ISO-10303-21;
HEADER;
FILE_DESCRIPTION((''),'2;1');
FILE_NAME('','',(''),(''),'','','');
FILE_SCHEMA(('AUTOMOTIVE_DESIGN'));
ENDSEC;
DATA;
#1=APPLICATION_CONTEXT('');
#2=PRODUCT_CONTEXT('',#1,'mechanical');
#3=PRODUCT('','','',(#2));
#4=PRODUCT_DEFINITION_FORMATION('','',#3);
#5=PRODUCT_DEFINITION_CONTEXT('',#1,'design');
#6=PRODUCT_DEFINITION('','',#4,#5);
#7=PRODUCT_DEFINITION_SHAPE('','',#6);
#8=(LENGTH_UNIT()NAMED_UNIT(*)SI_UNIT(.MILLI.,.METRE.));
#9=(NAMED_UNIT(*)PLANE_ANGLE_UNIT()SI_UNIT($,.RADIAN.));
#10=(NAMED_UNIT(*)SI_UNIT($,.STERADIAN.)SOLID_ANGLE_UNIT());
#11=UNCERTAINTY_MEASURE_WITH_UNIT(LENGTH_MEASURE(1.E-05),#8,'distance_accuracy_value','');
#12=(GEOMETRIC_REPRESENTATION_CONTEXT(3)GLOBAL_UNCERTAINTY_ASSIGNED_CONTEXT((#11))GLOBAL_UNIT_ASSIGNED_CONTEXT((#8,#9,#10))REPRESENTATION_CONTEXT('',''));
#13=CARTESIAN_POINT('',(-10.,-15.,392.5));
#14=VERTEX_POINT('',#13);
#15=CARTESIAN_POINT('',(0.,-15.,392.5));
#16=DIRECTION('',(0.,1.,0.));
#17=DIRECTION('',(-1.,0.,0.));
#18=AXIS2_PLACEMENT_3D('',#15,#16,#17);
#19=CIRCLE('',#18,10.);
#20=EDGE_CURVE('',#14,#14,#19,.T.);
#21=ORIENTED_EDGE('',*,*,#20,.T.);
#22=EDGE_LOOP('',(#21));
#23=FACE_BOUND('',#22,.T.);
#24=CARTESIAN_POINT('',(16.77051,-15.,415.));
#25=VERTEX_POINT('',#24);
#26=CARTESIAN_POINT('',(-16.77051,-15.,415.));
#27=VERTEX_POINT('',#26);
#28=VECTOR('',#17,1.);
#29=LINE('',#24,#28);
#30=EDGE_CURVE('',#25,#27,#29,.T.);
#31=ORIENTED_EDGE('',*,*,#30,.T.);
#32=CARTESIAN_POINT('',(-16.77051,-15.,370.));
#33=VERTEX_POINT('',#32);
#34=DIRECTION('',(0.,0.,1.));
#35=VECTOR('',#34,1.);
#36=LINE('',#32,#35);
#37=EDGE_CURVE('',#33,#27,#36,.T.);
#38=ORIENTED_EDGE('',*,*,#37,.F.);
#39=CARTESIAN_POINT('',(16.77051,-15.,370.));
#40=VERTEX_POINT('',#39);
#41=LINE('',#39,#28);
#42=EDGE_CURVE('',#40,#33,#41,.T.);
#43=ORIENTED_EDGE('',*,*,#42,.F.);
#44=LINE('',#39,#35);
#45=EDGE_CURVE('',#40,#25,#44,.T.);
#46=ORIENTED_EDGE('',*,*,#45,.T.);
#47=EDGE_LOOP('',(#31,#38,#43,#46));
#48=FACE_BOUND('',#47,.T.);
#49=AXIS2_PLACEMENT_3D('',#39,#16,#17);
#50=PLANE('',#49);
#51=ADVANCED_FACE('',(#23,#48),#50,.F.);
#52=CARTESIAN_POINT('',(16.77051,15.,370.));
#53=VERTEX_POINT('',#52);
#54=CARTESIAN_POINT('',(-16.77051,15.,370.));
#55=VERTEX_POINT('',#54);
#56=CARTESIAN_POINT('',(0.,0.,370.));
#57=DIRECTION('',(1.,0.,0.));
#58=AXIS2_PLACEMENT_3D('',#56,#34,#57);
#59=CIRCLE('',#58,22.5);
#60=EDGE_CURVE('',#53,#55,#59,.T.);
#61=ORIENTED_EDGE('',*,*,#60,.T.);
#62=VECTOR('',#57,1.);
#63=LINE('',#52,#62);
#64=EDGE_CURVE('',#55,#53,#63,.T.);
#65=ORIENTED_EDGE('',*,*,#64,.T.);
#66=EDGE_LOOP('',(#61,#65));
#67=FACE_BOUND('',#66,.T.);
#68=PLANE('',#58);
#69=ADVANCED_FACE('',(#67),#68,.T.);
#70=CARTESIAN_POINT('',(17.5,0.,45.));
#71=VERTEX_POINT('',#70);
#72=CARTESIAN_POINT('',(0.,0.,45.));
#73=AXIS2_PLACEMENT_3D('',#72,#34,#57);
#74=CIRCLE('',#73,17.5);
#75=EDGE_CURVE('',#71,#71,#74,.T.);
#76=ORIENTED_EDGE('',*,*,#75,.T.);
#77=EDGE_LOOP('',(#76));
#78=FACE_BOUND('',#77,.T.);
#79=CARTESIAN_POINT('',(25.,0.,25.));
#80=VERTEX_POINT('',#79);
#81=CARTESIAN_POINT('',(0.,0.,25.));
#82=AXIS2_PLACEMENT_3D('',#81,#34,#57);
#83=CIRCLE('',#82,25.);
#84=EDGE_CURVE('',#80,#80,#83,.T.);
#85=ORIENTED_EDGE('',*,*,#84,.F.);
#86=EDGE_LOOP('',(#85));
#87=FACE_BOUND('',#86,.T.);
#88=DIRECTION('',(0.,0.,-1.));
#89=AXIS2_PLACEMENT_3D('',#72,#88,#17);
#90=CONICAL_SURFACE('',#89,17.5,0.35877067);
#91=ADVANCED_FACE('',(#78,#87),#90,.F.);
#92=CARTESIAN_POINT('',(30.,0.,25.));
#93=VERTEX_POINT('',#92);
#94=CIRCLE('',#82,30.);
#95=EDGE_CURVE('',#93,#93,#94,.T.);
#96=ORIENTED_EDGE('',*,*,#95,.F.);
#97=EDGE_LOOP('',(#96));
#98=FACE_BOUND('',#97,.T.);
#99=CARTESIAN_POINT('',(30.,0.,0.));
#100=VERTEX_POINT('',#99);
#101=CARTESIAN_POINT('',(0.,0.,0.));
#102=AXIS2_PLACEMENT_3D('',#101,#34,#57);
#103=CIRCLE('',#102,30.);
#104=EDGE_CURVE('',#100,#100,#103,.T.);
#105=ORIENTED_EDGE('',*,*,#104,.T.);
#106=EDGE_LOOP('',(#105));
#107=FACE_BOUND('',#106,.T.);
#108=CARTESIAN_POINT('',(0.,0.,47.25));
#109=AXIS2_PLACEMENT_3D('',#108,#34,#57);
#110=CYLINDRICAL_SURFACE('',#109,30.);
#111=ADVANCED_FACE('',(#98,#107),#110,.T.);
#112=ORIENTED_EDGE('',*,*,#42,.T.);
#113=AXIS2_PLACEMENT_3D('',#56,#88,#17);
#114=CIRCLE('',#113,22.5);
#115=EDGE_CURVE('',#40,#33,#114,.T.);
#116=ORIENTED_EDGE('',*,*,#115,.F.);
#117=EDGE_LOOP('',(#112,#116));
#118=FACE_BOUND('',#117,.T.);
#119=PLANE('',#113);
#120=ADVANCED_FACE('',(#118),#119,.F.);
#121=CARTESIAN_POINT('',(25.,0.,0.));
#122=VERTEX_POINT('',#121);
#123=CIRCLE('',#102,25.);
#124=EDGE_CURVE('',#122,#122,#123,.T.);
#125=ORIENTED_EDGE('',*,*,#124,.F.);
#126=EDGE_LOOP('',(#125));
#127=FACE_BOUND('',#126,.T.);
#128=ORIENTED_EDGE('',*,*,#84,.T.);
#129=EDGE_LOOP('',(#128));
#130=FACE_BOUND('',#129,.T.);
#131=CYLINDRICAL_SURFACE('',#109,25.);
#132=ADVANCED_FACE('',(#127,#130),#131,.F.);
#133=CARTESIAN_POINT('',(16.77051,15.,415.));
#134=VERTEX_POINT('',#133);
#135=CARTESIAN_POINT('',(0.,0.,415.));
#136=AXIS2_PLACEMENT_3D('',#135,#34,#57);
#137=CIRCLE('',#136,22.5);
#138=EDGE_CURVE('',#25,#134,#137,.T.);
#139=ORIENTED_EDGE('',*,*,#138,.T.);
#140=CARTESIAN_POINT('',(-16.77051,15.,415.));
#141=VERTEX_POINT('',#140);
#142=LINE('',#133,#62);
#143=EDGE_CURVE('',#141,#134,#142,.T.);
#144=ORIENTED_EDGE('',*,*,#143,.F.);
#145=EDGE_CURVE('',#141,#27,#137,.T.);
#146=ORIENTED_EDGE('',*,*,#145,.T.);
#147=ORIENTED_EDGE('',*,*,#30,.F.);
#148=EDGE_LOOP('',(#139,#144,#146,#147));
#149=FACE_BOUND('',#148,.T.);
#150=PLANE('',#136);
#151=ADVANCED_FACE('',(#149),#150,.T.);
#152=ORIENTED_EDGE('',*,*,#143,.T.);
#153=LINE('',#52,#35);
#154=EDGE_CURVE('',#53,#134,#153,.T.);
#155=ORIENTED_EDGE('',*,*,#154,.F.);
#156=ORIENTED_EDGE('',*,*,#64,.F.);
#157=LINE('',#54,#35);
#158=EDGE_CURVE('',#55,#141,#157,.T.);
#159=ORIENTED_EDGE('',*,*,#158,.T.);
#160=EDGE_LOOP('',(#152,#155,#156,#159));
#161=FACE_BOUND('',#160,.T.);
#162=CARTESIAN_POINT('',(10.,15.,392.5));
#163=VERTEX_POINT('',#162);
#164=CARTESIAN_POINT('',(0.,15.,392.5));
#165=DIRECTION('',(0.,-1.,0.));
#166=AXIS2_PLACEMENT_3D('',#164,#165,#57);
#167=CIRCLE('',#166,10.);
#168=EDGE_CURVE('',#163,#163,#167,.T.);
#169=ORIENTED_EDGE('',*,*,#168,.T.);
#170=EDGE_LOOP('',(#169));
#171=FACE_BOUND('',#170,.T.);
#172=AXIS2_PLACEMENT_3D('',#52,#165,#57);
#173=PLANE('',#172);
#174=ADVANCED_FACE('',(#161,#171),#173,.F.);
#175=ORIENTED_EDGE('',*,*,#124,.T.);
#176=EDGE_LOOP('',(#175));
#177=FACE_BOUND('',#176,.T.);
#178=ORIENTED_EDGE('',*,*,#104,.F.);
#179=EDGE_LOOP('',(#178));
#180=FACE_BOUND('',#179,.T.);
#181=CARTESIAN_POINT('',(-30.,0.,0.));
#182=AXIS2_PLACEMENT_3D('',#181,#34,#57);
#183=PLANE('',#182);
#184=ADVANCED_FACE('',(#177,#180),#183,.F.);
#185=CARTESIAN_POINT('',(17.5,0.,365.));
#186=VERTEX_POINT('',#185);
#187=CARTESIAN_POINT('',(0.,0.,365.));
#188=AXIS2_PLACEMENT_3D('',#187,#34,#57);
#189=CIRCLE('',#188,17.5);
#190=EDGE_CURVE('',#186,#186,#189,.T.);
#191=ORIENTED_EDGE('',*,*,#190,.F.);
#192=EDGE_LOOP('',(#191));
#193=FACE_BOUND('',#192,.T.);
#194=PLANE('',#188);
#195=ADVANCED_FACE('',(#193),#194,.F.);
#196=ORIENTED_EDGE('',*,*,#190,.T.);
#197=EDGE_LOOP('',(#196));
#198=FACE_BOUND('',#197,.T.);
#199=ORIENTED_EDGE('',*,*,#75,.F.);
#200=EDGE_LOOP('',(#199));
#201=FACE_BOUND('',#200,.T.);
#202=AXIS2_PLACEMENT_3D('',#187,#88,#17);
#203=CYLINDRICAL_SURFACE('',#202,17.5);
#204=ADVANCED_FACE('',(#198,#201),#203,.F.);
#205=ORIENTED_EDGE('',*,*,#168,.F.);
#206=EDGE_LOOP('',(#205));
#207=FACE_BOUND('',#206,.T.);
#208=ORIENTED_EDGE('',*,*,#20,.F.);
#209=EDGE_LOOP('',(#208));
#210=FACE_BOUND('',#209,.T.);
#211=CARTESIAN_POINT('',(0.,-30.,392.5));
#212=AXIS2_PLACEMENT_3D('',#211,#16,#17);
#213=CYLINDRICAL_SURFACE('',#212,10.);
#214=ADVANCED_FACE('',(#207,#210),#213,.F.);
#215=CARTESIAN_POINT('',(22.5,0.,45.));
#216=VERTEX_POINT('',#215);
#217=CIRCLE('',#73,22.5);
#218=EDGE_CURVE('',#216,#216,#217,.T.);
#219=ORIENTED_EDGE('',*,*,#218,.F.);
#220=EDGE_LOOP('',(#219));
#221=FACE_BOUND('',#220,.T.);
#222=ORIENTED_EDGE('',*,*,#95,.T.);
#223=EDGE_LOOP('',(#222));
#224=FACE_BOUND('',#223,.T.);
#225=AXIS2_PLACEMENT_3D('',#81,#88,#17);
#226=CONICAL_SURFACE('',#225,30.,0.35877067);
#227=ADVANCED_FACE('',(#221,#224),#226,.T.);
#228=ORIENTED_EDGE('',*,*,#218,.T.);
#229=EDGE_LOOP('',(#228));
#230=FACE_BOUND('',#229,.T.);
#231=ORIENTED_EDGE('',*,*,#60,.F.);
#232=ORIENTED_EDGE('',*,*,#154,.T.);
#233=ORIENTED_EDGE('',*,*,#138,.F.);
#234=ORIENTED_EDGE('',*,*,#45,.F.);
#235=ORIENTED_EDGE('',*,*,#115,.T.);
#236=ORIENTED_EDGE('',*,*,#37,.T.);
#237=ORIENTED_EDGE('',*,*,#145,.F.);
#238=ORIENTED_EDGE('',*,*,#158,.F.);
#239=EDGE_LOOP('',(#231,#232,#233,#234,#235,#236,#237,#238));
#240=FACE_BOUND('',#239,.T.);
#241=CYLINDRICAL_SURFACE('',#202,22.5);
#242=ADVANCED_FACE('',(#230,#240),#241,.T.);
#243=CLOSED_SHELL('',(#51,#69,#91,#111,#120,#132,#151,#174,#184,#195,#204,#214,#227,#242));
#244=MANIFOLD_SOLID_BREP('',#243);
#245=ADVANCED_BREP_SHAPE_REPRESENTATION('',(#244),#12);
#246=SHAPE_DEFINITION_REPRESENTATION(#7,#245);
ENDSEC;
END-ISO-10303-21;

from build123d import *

# Parameters (mm, degrees)
SKETCH3_R               = 22.5
SKETCH3_R_2             = 17.5
BOSS_EXTRUDE1_DEPTH     = 320
SKETCH4_R               = 22.5
BOSS_EXTRUDE2_DEPTH     = 50
SKETCH5_W               = 33.541019662
SKETCH5_H               = 20
CUT_EXTRUDE1_DEPTH      = 45
SKETCH6_R               = 10
CUT_EXTRUDE3_DEPTH      = 16
CUT_EXTRUDE3_DEPTH_BACK = 46


with BuildPart() as part:
    # Sketch2 → Revolve1 (revolve)
    with BuildSketch(Plane(origin=(0, 0, 0), x_dir=(1, 0, 0), z_dir=(0, 1, 0))):
        Polygon((-30, 0), (-30, -25), (-22.5, -45), (-17.5, -45), (-25, -25), (-25, 0), align=None)
    revolve(axis=Axis((0, 0, 47.25), (0, 0, -1)))

    # Sketch3 → Boss-Extrude1 (add)
    with BuildSketch(Plane.XY.offset(45)):
        Circle(SKETCH3_R)
        Circle(SKETCH3_R_2, mode=Mode.SUBTRACT)
    extrude(amount=BOSS_EXTRUDE1_DEPTH)

    # Sketch4 → Boss-Extrude2 (add)
    with BuildSketch(Plane.XY.offset(365)):
        Circle(SKETCH4_R)
    extrude(amount=BOSS_EXTRUDE2_DEPTH)

    # Sketch5 → Cut-Extrude1 (cut)
    with BuildSketch(Plane.XY.offset(415)):
        with Locations((0, 25)):
            Rectangle(SKETCH5_W, SKETCH5_H)
        with Locations((0, -25)):
            Rectangle(SKETCH5_W, SKETCH5_H)
    extrude(amount=-CUT_EXTRUDE1_DEPTH, mode=Mode.SUBTRACT)

    # Sketch6 → Cut-Extrude3 (cut, two sides)
    with BuildSketch(Plane(origin=(0, 15, 0), x_dir=(1, 0, 0), z_dir=(0, 1, 0))) as cut_extrude3_sk:
        with Locations((0, -392.5)):
            Circle(SKETCH6_R)
    extrude(amount=CUT_EXTRUDE3_DEPTH, mode=Mode.SUBTRACT)
    extrude(cut_extrude3_sk.sketch, amount=-CUT_EXTRUDE3_DEPTH_BACK, mode=Mode.SUBTRACT)


solid = part.part
